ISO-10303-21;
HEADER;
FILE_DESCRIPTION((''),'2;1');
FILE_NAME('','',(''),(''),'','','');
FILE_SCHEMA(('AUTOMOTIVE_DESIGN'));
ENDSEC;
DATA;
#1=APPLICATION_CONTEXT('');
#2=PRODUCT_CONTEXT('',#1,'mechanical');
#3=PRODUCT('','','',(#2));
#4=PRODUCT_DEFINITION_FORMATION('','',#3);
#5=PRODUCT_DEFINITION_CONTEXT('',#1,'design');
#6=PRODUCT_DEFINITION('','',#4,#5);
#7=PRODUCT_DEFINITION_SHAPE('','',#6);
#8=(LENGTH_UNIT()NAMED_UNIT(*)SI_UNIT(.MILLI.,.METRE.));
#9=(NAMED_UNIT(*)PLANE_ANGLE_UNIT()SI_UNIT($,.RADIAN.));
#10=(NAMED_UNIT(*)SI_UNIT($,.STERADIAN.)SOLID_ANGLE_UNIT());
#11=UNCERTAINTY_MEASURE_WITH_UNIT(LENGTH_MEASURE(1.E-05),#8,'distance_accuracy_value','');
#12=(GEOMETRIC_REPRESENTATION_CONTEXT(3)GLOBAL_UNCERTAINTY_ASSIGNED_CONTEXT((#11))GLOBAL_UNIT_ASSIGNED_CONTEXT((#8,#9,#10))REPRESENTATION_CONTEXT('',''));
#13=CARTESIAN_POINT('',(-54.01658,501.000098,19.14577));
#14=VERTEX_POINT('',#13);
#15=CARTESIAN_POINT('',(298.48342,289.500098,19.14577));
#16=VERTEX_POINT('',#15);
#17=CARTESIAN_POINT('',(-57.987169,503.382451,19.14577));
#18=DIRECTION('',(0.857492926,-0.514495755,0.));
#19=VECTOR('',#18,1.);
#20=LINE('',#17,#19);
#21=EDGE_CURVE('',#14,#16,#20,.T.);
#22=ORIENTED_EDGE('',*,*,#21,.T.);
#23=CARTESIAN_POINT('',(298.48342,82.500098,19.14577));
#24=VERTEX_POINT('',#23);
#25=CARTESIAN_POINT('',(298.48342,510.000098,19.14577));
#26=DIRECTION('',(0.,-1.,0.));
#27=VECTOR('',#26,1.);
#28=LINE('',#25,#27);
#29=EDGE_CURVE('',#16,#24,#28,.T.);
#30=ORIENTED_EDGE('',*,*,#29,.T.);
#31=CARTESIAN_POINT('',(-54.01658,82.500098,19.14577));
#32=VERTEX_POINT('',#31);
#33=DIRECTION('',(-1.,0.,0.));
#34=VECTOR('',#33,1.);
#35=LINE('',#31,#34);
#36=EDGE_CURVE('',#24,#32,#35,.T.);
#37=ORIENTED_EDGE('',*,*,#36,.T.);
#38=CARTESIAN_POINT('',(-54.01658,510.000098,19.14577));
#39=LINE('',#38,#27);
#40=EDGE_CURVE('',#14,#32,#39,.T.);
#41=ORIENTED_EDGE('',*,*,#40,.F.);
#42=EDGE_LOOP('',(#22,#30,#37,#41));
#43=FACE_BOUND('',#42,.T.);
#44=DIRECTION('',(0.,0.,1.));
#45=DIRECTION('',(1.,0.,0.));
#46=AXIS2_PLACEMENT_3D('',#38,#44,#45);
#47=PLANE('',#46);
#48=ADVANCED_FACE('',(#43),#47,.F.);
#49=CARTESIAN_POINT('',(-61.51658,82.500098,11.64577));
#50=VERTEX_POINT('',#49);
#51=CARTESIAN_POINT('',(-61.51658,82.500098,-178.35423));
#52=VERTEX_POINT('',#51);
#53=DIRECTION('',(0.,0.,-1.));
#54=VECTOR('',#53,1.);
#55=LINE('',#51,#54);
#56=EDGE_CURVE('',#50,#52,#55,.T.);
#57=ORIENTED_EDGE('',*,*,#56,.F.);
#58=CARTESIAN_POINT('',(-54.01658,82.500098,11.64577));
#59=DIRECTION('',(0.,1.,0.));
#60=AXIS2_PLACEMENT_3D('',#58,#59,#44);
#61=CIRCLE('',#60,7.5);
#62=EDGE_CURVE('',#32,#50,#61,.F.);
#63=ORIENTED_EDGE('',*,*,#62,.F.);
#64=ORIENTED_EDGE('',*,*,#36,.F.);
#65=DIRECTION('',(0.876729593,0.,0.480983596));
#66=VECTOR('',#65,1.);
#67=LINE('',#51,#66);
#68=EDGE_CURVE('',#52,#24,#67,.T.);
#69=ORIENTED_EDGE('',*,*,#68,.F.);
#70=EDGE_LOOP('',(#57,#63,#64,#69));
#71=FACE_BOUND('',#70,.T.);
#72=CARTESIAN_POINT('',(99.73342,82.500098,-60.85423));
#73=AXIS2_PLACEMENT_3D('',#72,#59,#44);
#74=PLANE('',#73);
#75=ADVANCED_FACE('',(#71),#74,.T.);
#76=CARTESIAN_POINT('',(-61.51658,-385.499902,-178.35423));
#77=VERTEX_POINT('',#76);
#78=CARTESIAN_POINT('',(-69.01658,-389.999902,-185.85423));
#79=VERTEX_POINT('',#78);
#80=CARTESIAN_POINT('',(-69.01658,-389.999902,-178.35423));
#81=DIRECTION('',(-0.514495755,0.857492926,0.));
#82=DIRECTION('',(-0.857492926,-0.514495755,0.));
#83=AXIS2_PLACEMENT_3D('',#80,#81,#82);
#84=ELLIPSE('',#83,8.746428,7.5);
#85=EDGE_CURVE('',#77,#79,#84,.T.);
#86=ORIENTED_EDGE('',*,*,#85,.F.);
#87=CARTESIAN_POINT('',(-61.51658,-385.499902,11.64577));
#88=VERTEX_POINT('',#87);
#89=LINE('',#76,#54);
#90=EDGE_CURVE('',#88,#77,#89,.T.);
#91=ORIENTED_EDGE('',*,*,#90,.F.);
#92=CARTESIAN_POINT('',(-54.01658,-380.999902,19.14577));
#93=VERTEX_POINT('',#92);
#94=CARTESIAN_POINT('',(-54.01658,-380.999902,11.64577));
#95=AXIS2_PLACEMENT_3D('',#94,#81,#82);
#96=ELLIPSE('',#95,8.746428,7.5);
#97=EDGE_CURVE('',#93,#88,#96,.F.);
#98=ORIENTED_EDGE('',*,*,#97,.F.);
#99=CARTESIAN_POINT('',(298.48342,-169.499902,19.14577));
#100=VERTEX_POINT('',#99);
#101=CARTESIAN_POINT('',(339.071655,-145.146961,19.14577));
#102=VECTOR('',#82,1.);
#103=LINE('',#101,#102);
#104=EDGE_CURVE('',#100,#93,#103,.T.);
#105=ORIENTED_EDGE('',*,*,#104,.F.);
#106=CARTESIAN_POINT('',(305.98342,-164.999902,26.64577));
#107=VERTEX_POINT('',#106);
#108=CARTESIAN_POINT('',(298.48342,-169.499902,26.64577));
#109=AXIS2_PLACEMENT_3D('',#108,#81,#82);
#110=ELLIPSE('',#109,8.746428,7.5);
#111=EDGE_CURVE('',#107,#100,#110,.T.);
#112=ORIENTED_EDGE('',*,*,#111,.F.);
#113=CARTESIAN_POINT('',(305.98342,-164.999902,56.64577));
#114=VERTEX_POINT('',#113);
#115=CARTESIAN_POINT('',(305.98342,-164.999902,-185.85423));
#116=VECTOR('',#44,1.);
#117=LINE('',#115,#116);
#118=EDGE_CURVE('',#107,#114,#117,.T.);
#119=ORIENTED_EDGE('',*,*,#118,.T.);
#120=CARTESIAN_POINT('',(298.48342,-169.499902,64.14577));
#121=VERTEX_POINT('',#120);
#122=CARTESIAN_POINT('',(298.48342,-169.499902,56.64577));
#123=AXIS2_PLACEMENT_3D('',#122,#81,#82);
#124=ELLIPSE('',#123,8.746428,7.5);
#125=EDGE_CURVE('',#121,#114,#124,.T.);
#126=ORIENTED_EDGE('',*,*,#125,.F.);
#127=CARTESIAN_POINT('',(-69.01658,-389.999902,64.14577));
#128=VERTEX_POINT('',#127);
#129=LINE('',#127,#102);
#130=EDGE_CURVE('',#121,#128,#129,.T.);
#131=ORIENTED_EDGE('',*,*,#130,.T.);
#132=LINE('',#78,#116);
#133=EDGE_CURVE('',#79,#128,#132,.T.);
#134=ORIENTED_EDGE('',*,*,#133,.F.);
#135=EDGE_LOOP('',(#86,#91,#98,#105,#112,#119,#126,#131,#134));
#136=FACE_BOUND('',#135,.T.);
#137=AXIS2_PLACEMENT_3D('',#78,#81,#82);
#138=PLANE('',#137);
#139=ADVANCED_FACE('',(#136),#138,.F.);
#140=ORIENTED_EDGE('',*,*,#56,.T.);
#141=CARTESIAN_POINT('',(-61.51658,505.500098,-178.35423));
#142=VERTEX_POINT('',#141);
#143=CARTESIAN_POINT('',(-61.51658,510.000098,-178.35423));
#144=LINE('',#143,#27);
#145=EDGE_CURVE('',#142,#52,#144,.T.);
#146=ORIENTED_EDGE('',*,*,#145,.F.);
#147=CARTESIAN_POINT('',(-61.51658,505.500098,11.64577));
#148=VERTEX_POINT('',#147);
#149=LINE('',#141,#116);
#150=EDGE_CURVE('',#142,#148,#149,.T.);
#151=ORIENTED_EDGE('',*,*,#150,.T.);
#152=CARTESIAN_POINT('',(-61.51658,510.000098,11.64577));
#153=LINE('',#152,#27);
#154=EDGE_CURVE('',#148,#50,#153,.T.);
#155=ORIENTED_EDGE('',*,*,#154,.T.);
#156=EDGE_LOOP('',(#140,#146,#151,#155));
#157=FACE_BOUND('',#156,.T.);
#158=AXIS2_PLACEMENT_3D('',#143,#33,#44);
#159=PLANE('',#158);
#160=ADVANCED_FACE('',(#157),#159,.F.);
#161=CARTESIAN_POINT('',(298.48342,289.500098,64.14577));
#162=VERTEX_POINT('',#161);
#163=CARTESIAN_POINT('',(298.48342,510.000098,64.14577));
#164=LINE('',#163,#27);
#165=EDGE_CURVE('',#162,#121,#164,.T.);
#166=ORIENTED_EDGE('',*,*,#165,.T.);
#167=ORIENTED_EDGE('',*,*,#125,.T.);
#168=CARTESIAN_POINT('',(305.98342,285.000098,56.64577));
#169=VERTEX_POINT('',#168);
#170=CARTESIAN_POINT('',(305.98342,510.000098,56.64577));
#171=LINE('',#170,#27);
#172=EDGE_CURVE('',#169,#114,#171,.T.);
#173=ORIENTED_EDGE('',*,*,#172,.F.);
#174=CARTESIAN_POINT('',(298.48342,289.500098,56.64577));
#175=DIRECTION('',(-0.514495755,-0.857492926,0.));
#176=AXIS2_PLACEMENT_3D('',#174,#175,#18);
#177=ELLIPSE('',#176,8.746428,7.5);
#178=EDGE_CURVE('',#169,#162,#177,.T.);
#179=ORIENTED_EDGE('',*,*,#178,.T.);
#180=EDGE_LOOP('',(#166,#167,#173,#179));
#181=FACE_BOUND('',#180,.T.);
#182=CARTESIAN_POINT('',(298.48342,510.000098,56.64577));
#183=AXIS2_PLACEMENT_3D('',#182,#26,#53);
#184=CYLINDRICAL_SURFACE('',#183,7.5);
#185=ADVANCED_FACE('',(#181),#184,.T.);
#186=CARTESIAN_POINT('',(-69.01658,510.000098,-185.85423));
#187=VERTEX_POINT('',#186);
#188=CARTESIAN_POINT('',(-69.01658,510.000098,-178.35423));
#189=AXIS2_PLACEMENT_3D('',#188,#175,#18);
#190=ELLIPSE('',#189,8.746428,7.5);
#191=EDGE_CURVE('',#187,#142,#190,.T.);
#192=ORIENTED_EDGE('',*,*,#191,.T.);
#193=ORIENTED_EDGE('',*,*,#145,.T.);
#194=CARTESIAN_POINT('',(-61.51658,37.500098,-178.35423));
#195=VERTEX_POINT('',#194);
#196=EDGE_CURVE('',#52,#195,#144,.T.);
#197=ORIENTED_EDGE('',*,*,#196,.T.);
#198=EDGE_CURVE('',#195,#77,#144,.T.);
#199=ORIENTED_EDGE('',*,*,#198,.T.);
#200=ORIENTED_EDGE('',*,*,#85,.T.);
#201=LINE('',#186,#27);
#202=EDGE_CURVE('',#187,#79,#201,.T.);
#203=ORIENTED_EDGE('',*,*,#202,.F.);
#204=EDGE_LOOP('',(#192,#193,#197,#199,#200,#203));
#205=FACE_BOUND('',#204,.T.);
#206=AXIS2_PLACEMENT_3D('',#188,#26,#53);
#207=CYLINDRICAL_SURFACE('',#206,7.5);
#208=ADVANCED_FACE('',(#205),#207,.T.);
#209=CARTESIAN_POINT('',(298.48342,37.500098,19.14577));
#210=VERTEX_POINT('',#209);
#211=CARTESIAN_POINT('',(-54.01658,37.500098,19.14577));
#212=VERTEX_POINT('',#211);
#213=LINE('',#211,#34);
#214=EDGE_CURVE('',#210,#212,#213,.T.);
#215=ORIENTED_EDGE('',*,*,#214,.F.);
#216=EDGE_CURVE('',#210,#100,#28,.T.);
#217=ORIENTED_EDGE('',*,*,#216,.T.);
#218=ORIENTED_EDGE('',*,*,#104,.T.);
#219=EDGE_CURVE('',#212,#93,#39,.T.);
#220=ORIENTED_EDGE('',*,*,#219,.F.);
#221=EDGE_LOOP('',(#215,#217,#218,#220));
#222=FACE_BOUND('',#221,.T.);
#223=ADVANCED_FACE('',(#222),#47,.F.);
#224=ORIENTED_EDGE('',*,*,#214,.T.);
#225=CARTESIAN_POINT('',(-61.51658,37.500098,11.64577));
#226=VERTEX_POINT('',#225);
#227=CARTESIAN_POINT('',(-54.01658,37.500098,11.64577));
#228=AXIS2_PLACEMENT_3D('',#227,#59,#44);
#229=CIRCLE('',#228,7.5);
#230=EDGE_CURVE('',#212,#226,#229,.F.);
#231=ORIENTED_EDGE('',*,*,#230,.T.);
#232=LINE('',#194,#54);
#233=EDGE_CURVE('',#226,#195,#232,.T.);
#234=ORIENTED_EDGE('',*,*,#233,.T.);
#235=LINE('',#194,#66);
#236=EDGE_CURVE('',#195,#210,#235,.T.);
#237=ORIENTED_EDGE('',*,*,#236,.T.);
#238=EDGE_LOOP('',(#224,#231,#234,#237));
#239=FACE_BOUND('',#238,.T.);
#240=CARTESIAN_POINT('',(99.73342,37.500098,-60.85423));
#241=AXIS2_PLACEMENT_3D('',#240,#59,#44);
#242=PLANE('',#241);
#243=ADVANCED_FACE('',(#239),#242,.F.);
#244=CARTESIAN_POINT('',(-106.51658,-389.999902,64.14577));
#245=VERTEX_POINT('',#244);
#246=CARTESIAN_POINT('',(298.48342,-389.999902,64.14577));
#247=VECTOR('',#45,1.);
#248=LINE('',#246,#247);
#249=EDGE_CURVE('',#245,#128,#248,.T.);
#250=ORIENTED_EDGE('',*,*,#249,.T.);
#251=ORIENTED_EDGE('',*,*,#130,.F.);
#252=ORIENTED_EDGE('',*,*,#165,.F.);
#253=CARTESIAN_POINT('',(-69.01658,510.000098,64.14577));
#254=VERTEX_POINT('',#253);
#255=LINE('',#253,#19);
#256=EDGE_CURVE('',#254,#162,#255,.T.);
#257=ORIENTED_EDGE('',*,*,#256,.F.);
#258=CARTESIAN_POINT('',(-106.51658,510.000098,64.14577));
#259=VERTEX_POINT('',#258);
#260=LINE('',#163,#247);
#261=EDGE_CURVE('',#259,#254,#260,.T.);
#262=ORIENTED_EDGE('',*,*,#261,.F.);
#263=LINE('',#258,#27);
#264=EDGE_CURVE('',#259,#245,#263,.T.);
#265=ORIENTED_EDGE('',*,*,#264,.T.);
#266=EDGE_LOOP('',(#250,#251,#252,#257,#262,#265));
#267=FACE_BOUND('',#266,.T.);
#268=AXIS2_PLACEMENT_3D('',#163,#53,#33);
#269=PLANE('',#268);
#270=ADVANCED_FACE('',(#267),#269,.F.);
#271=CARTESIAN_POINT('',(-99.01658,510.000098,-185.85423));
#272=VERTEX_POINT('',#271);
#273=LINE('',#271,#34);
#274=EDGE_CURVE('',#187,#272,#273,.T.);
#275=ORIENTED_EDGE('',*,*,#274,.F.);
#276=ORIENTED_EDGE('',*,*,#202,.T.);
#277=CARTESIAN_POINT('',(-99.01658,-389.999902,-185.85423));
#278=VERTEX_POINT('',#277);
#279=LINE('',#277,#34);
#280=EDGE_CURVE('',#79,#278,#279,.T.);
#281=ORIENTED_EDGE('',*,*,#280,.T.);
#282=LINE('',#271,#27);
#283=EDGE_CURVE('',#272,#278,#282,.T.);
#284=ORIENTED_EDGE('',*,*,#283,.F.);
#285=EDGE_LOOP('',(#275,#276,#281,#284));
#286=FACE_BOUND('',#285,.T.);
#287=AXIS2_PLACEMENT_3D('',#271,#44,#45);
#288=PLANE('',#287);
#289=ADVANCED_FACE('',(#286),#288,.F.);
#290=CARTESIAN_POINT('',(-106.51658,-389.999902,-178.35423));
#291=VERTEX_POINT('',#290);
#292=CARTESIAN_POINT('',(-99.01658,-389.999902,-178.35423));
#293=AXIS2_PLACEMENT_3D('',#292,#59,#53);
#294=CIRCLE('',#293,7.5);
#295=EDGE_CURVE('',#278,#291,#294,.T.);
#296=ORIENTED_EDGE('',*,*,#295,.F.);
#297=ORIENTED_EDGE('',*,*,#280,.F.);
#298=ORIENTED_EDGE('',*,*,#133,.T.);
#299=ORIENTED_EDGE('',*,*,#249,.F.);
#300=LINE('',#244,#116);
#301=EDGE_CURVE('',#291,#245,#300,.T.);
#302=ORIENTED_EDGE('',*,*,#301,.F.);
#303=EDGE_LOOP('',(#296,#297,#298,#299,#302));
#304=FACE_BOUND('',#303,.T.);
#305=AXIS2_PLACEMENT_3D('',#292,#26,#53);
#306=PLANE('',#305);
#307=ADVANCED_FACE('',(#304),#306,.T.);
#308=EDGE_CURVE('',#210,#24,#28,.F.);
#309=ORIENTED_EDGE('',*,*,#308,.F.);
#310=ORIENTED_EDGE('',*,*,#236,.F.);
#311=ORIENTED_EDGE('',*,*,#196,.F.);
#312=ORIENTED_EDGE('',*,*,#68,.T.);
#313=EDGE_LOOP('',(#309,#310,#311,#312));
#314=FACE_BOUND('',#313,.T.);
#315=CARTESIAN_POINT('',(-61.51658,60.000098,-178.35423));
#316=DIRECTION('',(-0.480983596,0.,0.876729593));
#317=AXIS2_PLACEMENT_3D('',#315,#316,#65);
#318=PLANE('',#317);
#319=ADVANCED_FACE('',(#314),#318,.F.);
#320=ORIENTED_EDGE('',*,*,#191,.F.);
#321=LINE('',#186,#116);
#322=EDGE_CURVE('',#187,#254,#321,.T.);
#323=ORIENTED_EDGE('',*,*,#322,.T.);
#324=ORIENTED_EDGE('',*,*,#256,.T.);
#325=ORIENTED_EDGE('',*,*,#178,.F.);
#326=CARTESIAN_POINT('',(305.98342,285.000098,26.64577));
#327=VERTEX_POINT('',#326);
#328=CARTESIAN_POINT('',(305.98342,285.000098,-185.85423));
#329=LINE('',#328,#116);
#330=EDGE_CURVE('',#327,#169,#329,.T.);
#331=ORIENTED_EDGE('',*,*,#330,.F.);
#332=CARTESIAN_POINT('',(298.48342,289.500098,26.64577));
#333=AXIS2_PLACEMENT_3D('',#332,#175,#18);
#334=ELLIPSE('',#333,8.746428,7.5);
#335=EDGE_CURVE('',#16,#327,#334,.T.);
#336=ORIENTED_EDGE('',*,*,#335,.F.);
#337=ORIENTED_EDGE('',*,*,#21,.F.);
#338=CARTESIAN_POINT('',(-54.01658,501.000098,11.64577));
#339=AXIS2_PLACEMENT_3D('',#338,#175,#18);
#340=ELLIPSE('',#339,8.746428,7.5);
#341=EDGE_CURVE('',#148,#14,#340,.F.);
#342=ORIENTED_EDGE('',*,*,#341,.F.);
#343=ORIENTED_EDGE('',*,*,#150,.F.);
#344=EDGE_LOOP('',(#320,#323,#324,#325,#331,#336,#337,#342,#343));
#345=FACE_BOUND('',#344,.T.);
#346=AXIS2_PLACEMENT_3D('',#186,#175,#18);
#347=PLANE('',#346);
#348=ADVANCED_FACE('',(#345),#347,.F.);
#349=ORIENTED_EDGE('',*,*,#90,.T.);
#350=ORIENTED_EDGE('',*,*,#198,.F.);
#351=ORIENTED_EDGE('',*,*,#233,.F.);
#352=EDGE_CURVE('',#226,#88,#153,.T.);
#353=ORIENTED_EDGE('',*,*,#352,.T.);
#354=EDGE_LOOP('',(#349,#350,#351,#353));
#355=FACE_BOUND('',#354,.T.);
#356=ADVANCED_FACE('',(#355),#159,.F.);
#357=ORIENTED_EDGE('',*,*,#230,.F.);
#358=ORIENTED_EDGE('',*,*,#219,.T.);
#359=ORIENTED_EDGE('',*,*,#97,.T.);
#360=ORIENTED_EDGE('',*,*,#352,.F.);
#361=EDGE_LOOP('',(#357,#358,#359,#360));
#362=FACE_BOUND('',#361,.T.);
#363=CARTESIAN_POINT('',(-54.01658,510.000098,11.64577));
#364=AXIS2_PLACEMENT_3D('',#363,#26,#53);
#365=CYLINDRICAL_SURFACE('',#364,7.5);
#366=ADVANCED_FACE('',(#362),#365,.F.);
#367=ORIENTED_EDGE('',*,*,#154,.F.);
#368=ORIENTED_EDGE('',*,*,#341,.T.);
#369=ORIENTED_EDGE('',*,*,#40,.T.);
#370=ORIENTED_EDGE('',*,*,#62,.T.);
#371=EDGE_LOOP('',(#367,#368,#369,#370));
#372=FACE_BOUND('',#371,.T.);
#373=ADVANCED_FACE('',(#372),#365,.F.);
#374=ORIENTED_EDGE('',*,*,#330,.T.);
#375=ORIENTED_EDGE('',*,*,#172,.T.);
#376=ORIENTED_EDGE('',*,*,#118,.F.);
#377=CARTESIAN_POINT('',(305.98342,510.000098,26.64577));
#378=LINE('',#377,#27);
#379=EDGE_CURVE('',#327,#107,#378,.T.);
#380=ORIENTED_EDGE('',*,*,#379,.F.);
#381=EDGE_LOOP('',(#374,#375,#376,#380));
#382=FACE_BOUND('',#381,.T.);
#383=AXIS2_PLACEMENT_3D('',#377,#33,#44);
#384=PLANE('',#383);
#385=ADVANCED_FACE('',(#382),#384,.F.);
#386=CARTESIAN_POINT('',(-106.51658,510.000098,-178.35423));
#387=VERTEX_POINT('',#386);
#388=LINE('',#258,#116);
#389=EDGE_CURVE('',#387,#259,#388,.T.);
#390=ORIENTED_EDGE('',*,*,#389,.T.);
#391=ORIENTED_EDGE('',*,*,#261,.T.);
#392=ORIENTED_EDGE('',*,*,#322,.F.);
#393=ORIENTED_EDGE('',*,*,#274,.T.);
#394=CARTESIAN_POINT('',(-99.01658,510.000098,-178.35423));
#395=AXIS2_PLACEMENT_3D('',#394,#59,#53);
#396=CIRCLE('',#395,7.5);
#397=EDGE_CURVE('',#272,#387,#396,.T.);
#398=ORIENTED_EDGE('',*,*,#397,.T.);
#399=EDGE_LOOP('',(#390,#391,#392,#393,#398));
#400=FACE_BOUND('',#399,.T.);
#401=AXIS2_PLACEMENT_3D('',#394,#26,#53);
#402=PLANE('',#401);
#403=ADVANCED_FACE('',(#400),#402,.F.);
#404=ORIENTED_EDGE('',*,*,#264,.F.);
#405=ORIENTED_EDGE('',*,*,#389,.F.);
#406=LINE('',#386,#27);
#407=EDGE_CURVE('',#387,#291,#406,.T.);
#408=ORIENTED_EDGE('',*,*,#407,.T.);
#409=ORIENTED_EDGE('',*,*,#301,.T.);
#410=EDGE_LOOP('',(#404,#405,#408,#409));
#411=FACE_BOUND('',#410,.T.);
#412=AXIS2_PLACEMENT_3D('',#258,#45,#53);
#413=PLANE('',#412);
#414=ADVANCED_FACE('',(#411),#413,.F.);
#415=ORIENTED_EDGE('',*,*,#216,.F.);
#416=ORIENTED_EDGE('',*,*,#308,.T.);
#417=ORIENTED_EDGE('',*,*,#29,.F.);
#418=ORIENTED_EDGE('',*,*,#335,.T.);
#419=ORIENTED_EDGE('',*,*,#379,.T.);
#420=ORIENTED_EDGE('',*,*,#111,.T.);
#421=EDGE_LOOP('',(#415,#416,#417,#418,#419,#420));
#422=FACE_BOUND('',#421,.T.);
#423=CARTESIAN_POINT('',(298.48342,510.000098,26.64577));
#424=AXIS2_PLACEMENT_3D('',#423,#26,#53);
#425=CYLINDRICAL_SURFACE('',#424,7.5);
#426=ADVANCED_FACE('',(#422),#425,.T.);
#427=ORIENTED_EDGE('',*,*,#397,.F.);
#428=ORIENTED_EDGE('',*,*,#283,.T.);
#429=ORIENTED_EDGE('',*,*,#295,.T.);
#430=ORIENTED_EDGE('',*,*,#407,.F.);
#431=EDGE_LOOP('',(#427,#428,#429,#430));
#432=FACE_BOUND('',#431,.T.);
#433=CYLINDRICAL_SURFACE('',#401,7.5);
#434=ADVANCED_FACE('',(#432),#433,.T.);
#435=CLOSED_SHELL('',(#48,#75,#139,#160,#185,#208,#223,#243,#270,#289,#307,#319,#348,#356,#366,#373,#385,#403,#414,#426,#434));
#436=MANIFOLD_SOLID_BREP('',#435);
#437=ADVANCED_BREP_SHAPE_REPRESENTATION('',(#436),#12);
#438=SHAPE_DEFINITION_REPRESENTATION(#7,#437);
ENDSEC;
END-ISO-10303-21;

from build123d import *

# Parameters (mm, degrees)
BOSS_EXTRUDE1_DEPTH = 120
RIB6_REACH          = 89.955
SKETCH4_WALL_W      = 232.65925255
SKETCH4_WALL_H      = 6
CUT_EXTRUDE1_DEPTH  = 137.147387456
SCALE3_SCALE        = 7.5


with BuildPart() as part:
    # Sketch1 → Boss-Extrude1 (new body)
    with BuildSketch(Plane(origin=(0, 0, 0), x_dir=(1, 0, 0), z_dir=(0, 1, 0))):
        with BuildLine():
            Line((0, 0), (0, 32.333333333))
            ThreePointArc((0, 32.333333333), (0.292893219, 33.040440115), (1, 33.333333333))
            Line((1, 33.333333333), (5, 33.333333333))
            ThreePointArc((5, 33.333333333), (5.707106781, 33.040440115), (6, 32.333333333))
            Line((6, 32.333333333), (6, 7))
            ThreePointArc((6, 7), (6.292893219, 6.292893219), (7, 6))
            Line((7, 6), (54, 6))
            ThreePointArc((54, 6), (54.707106781, 5.707106781), (55, 5))
            Line((55, 5), (55, 1))
            ThreePointArc((55, 1), (54.707106781, 0.292893219), (54, 0))
            Line((54, 0), (0, 0))
        make_face()
    extrude(amount=BOSS_EXTRUDE1_DEPTH)

    # Sketch4 wall → Rib6 (add, up to next)
    with BuildSketch(Plane(origin=(30, 60, -19.166666666), x_dir=(0.876729593434, 0, 0.480983596392), z_dir=(0.480983596392, 0, -0.876729593434)), mode=Mode.PRIVATE) as rib6_sk1:
        Rectangle(SKETCH4_WALL_W, SKETCH4_WALL_H)
    rib6_tool1 = extrude(rib6_sk1.sketch, amount=-RIB6_REACH, mode=Mode.PRIVATE) - part.part
    add(rib6_tool1.solids().sort_by_distance((30, 60, -19.166666666))[0])

    # Sketch5 → Cut-Extrude1 (cut, through all)
    with BuildSketch(Plane.XY):
        Polygon((55, 120), (5, 120), (55, 90), align=None)
        Polygon((55, 30), (55, 0), (5, 0), align=None)
    extrude(amount=-CUT_EXTRUDE1_DEPTH, mode=Mode.SUBTRACT)


with BuildPart() as part_1:
    # Scale3: scaled about (16.387200979, 60, -9.868580773)
    add(part.part.scale(SCALE3_SCALE).moved(Location((-106.516806363, -390, 64.145775024))))


solid = part_1.part
